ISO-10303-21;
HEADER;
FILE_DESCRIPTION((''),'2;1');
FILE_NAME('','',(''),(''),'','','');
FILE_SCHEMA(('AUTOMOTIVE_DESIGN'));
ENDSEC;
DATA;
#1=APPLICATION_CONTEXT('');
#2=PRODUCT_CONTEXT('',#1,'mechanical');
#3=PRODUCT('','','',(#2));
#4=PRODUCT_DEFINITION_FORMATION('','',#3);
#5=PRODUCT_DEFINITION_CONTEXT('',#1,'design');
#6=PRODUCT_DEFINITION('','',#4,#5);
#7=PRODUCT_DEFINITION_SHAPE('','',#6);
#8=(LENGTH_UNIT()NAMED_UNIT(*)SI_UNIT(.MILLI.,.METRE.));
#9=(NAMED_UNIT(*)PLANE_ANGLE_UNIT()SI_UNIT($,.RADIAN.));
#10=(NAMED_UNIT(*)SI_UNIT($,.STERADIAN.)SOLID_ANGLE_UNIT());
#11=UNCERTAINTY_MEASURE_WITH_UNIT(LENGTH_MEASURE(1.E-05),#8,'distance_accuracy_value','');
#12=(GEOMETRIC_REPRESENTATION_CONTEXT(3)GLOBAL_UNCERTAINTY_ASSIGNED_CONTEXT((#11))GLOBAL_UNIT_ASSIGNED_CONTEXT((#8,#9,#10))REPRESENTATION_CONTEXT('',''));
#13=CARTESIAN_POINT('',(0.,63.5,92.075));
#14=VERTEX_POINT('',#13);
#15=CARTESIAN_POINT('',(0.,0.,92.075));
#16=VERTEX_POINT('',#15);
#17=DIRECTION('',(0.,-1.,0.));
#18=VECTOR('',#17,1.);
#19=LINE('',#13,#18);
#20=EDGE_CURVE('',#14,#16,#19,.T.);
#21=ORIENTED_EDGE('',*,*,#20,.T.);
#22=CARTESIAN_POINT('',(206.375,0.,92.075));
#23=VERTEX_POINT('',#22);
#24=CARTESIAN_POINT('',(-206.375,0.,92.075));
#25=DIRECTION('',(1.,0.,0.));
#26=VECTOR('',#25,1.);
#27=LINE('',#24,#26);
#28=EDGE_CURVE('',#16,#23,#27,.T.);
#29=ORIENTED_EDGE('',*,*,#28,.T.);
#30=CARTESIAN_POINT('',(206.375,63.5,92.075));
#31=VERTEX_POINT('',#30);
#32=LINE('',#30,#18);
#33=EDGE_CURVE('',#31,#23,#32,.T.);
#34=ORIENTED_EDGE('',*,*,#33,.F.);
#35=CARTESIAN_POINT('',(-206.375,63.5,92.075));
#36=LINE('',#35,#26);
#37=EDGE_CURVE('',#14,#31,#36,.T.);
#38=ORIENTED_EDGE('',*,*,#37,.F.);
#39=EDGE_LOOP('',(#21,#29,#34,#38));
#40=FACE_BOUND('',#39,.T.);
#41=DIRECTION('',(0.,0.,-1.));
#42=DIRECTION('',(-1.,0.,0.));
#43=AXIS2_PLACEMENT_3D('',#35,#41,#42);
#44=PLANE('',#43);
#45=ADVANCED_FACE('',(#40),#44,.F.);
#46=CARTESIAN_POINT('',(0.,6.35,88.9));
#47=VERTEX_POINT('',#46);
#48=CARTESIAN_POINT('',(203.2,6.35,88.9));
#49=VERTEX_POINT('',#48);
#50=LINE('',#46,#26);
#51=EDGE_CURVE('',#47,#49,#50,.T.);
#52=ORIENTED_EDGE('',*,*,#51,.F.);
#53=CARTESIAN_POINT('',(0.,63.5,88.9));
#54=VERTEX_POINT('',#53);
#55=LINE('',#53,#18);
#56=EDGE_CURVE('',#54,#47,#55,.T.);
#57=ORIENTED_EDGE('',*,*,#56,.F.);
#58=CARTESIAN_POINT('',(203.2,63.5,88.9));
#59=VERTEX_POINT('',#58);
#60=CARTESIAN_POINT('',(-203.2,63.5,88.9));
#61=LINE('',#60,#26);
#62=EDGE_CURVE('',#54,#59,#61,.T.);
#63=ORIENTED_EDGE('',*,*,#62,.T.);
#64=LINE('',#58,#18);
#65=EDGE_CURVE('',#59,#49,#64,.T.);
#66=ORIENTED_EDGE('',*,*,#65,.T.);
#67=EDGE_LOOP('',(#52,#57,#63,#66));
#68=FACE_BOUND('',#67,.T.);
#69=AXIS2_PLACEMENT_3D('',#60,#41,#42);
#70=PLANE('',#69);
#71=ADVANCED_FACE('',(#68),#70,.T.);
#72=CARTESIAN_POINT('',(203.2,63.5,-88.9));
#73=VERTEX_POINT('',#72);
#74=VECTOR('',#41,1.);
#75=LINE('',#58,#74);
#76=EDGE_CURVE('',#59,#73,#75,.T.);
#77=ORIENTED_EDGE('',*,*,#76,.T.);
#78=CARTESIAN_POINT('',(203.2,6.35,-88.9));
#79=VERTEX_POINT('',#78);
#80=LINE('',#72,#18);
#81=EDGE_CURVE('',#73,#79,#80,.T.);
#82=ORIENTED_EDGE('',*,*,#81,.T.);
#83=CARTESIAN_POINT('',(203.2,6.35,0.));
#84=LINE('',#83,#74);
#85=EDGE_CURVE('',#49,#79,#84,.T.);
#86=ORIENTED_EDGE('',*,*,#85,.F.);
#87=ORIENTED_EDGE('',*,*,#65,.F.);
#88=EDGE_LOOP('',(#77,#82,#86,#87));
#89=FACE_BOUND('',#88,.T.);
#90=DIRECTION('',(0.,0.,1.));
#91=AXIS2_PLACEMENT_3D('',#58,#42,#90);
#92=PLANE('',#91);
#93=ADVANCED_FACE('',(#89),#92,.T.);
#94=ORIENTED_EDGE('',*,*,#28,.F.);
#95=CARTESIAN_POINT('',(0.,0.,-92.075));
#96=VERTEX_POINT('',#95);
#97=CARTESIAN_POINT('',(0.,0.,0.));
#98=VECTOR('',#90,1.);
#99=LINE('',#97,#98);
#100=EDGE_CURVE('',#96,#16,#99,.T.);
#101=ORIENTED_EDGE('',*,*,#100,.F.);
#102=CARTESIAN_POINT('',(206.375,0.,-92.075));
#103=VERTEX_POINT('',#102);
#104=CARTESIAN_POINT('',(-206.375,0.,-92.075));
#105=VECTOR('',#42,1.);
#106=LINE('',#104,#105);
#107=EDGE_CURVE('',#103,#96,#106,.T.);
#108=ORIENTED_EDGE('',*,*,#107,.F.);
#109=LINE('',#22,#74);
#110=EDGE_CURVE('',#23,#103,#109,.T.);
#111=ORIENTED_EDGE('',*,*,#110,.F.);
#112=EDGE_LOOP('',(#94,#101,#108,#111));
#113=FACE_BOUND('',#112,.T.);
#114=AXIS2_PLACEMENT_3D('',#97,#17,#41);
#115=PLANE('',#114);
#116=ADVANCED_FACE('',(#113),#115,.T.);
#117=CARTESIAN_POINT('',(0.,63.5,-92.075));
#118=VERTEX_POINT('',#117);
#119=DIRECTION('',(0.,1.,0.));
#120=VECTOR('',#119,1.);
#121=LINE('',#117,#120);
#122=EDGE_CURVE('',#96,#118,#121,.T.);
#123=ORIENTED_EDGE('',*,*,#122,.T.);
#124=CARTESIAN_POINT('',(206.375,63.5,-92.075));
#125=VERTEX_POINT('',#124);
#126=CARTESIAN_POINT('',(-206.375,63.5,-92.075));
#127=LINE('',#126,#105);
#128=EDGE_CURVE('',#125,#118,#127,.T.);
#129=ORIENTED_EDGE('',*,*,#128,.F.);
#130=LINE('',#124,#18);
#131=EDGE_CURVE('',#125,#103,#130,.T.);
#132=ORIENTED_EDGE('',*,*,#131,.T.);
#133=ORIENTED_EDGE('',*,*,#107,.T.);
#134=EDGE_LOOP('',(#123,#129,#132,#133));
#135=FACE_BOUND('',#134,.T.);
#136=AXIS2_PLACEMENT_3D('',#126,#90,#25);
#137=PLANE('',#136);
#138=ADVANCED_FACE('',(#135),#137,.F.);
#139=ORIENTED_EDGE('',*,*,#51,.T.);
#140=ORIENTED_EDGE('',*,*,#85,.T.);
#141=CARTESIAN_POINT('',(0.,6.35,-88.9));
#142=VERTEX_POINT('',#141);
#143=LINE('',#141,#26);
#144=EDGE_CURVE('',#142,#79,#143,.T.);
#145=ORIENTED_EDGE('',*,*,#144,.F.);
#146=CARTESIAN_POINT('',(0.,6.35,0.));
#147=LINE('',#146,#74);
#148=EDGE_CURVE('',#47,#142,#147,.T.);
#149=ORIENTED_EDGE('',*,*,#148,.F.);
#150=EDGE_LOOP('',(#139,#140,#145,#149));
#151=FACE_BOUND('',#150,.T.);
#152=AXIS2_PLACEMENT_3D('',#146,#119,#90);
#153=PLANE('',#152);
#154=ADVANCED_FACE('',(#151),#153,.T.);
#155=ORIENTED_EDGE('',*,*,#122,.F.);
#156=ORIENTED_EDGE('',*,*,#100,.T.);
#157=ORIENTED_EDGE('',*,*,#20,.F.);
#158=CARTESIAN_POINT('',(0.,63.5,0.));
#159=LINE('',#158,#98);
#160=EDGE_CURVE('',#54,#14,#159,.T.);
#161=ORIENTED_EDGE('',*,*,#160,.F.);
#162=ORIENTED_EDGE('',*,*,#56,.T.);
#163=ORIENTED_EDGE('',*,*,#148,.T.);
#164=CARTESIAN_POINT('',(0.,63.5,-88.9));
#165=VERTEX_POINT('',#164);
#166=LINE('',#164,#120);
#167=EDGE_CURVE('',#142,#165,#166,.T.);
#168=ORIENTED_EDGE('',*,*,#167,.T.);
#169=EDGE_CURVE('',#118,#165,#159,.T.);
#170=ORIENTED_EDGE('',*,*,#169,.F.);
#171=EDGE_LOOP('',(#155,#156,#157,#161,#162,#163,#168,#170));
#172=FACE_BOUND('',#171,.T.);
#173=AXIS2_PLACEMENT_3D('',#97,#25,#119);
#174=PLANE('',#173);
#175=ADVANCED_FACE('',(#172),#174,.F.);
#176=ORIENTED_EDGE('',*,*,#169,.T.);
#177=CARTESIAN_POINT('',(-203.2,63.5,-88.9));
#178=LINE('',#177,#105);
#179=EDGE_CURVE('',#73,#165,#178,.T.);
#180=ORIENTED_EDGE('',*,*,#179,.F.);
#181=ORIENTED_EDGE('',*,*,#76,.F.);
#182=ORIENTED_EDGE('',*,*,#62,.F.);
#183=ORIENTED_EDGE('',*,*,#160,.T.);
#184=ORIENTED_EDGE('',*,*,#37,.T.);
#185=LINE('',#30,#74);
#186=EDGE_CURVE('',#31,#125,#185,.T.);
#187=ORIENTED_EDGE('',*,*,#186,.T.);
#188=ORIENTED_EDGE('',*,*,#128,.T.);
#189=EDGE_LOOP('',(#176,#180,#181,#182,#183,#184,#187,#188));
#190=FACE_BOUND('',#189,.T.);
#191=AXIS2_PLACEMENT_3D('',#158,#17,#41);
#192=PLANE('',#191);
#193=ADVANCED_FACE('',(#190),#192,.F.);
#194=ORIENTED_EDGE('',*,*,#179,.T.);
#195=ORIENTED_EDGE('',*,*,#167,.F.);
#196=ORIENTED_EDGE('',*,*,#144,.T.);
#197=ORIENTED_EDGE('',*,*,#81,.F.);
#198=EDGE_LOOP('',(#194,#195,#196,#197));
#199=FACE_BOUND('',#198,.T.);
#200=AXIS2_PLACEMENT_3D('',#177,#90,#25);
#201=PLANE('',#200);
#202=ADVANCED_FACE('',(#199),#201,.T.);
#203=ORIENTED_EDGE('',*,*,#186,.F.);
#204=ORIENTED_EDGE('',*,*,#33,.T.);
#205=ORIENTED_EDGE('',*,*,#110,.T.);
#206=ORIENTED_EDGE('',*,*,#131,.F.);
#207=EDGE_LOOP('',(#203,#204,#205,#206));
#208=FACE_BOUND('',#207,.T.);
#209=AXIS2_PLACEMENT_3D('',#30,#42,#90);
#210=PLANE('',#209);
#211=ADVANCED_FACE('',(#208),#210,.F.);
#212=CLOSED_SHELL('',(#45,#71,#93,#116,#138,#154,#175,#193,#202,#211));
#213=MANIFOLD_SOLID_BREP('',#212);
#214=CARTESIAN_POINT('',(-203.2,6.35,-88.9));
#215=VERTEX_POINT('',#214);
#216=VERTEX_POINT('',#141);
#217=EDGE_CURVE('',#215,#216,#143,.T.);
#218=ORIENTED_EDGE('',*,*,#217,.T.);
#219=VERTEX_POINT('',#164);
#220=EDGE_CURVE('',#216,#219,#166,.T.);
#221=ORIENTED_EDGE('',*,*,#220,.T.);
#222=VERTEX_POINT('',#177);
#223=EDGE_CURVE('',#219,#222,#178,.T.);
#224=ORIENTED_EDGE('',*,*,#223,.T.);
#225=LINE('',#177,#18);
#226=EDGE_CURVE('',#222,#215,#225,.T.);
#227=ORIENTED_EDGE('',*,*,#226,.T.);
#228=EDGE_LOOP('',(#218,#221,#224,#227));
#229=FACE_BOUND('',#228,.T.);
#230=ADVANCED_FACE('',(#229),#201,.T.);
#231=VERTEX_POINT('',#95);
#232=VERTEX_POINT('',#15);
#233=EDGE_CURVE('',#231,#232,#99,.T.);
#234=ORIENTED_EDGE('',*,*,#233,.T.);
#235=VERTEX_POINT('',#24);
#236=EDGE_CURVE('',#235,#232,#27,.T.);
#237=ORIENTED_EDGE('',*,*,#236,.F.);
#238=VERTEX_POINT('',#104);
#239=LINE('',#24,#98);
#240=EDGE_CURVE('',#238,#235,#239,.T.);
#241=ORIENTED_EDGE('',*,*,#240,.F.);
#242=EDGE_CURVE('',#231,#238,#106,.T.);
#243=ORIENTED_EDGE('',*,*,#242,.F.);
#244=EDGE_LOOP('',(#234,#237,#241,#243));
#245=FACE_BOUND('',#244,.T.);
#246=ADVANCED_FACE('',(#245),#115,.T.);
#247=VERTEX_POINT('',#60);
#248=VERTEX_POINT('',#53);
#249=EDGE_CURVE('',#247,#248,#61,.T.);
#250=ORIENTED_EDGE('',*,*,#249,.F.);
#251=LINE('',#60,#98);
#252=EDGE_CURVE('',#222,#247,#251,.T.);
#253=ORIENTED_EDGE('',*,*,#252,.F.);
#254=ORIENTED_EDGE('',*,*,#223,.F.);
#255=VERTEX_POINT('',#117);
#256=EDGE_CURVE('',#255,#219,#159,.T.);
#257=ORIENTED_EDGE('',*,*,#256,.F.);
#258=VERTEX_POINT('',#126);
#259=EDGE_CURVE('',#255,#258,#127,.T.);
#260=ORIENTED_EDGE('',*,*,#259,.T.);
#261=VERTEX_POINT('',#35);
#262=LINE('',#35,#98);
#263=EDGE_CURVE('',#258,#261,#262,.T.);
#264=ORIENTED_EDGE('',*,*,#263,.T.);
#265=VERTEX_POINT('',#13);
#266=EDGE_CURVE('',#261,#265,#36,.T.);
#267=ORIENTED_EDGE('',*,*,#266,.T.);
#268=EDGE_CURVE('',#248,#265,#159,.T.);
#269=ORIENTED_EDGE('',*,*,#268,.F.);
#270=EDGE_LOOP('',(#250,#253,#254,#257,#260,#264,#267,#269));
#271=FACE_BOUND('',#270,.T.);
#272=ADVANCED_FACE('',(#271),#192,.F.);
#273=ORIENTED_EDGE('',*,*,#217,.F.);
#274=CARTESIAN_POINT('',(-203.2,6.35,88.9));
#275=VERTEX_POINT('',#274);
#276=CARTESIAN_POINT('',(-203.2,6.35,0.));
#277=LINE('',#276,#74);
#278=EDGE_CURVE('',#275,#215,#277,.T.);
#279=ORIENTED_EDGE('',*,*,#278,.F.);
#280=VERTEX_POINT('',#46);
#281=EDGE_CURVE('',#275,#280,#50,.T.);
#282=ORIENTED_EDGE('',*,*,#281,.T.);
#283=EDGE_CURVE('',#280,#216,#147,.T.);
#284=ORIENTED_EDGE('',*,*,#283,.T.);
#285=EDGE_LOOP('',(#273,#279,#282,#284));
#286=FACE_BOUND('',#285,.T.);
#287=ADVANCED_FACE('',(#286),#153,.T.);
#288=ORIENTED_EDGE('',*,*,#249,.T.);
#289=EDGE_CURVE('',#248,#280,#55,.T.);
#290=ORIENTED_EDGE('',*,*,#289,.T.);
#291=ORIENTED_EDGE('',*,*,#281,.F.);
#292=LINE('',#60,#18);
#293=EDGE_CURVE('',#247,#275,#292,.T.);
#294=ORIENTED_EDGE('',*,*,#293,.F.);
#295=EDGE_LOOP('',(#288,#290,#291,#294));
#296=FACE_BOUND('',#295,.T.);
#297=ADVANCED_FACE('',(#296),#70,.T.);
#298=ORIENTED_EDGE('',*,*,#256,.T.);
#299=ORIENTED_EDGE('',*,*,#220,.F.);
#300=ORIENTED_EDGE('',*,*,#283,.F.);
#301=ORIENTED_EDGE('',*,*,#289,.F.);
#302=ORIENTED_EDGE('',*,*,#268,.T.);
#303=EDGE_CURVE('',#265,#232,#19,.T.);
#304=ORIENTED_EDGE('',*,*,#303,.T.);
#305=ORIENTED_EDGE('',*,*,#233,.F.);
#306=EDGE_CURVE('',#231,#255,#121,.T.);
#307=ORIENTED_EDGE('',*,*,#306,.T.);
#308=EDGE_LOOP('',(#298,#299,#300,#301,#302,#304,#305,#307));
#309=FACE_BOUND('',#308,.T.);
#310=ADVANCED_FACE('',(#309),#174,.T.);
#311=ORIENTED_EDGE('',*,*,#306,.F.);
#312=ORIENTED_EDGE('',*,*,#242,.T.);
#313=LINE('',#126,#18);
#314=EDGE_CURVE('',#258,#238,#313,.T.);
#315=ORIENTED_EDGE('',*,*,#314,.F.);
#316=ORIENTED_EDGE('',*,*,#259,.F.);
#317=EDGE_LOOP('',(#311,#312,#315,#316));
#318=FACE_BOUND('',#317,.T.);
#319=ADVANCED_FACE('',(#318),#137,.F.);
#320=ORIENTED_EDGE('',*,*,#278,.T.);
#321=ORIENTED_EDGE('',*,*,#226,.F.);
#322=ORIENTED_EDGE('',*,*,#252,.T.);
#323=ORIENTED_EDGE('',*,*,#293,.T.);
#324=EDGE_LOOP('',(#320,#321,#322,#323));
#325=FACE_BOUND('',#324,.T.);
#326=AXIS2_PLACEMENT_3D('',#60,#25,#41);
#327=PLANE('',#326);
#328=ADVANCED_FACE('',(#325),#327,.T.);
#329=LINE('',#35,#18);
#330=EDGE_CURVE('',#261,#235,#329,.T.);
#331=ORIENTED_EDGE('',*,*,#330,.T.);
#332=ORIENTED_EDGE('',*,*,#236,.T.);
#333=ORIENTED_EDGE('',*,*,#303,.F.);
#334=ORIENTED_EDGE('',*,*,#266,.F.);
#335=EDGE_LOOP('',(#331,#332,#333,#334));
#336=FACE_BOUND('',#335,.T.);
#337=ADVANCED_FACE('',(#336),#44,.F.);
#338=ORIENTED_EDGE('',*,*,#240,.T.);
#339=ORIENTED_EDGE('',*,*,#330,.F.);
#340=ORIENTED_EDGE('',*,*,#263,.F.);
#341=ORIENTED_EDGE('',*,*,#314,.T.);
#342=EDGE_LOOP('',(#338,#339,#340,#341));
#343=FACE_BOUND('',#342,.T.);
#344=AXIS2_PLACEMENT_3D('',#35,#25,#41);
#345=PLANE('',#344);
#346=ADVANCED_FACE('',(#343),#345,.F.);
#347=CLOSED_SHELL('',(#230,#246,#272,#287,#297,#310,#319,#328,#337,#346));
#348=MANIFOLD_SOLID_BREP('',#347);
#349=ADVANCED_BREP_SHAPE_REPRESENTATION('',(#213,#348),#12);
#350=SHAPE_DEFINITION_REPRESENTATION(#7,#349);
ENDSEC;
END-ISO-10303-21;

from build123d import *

# Parameters (mm, degrees)
SKETCH1_W           = 412.75
SKETCH1_H           = 184.15
SKETCH1_W_2         = 406.4
SKETCH1_H_2         = 177.8
BOSS_EXTRUDE2_DEPTH = 63.5
SKETCH2_W           = 406.4
SKETCH2_H           = 177.8
BOSS_EXTRUDE4_DEPTH = 6.35


with BuildPart() as part:
    # Sketch1 → Boss-Extrude2 (new body)
    with BuildSketch(Plane(origin=(0, 0, 0), x_dir=(1, 0, 0), z_dir=(0, 1, 0))):
        Rectangle(SKETCH1_W, SKETCH1_H)
        Rectangle(SKETCH1_W_2, SKETCH1_H_2, mode=Mode.SUBTRACT)
    extrude(amount=BOSS_EXTRUDE2_DEPTH)

    # Sketch2 → Boss-Extrude4 (add)
    with BuildSketch(Plane(origin=(0, 0, 0), x_dir=(1, 0, 0), z_dir=(0, 1, 0))):
        Rectangle(SKETCH2_W, SKETCH2_H)
    extrude(amount=BOSS_EXTRUDE4_DEPTH)


with BuildPart() as body_2:
    # Split1: the piece on the far side of the plane
    add(part.part)
    split(bisect_by=Plane.YZ, keep=Keep.BOTTOM)


with BuildPart() as part_1:
    add(part.part)

    # Split1
    split(bisect_by=Plane.YZ, keep=Keep.TOP)


solid = Compound([body_2.part, part_1.part])
